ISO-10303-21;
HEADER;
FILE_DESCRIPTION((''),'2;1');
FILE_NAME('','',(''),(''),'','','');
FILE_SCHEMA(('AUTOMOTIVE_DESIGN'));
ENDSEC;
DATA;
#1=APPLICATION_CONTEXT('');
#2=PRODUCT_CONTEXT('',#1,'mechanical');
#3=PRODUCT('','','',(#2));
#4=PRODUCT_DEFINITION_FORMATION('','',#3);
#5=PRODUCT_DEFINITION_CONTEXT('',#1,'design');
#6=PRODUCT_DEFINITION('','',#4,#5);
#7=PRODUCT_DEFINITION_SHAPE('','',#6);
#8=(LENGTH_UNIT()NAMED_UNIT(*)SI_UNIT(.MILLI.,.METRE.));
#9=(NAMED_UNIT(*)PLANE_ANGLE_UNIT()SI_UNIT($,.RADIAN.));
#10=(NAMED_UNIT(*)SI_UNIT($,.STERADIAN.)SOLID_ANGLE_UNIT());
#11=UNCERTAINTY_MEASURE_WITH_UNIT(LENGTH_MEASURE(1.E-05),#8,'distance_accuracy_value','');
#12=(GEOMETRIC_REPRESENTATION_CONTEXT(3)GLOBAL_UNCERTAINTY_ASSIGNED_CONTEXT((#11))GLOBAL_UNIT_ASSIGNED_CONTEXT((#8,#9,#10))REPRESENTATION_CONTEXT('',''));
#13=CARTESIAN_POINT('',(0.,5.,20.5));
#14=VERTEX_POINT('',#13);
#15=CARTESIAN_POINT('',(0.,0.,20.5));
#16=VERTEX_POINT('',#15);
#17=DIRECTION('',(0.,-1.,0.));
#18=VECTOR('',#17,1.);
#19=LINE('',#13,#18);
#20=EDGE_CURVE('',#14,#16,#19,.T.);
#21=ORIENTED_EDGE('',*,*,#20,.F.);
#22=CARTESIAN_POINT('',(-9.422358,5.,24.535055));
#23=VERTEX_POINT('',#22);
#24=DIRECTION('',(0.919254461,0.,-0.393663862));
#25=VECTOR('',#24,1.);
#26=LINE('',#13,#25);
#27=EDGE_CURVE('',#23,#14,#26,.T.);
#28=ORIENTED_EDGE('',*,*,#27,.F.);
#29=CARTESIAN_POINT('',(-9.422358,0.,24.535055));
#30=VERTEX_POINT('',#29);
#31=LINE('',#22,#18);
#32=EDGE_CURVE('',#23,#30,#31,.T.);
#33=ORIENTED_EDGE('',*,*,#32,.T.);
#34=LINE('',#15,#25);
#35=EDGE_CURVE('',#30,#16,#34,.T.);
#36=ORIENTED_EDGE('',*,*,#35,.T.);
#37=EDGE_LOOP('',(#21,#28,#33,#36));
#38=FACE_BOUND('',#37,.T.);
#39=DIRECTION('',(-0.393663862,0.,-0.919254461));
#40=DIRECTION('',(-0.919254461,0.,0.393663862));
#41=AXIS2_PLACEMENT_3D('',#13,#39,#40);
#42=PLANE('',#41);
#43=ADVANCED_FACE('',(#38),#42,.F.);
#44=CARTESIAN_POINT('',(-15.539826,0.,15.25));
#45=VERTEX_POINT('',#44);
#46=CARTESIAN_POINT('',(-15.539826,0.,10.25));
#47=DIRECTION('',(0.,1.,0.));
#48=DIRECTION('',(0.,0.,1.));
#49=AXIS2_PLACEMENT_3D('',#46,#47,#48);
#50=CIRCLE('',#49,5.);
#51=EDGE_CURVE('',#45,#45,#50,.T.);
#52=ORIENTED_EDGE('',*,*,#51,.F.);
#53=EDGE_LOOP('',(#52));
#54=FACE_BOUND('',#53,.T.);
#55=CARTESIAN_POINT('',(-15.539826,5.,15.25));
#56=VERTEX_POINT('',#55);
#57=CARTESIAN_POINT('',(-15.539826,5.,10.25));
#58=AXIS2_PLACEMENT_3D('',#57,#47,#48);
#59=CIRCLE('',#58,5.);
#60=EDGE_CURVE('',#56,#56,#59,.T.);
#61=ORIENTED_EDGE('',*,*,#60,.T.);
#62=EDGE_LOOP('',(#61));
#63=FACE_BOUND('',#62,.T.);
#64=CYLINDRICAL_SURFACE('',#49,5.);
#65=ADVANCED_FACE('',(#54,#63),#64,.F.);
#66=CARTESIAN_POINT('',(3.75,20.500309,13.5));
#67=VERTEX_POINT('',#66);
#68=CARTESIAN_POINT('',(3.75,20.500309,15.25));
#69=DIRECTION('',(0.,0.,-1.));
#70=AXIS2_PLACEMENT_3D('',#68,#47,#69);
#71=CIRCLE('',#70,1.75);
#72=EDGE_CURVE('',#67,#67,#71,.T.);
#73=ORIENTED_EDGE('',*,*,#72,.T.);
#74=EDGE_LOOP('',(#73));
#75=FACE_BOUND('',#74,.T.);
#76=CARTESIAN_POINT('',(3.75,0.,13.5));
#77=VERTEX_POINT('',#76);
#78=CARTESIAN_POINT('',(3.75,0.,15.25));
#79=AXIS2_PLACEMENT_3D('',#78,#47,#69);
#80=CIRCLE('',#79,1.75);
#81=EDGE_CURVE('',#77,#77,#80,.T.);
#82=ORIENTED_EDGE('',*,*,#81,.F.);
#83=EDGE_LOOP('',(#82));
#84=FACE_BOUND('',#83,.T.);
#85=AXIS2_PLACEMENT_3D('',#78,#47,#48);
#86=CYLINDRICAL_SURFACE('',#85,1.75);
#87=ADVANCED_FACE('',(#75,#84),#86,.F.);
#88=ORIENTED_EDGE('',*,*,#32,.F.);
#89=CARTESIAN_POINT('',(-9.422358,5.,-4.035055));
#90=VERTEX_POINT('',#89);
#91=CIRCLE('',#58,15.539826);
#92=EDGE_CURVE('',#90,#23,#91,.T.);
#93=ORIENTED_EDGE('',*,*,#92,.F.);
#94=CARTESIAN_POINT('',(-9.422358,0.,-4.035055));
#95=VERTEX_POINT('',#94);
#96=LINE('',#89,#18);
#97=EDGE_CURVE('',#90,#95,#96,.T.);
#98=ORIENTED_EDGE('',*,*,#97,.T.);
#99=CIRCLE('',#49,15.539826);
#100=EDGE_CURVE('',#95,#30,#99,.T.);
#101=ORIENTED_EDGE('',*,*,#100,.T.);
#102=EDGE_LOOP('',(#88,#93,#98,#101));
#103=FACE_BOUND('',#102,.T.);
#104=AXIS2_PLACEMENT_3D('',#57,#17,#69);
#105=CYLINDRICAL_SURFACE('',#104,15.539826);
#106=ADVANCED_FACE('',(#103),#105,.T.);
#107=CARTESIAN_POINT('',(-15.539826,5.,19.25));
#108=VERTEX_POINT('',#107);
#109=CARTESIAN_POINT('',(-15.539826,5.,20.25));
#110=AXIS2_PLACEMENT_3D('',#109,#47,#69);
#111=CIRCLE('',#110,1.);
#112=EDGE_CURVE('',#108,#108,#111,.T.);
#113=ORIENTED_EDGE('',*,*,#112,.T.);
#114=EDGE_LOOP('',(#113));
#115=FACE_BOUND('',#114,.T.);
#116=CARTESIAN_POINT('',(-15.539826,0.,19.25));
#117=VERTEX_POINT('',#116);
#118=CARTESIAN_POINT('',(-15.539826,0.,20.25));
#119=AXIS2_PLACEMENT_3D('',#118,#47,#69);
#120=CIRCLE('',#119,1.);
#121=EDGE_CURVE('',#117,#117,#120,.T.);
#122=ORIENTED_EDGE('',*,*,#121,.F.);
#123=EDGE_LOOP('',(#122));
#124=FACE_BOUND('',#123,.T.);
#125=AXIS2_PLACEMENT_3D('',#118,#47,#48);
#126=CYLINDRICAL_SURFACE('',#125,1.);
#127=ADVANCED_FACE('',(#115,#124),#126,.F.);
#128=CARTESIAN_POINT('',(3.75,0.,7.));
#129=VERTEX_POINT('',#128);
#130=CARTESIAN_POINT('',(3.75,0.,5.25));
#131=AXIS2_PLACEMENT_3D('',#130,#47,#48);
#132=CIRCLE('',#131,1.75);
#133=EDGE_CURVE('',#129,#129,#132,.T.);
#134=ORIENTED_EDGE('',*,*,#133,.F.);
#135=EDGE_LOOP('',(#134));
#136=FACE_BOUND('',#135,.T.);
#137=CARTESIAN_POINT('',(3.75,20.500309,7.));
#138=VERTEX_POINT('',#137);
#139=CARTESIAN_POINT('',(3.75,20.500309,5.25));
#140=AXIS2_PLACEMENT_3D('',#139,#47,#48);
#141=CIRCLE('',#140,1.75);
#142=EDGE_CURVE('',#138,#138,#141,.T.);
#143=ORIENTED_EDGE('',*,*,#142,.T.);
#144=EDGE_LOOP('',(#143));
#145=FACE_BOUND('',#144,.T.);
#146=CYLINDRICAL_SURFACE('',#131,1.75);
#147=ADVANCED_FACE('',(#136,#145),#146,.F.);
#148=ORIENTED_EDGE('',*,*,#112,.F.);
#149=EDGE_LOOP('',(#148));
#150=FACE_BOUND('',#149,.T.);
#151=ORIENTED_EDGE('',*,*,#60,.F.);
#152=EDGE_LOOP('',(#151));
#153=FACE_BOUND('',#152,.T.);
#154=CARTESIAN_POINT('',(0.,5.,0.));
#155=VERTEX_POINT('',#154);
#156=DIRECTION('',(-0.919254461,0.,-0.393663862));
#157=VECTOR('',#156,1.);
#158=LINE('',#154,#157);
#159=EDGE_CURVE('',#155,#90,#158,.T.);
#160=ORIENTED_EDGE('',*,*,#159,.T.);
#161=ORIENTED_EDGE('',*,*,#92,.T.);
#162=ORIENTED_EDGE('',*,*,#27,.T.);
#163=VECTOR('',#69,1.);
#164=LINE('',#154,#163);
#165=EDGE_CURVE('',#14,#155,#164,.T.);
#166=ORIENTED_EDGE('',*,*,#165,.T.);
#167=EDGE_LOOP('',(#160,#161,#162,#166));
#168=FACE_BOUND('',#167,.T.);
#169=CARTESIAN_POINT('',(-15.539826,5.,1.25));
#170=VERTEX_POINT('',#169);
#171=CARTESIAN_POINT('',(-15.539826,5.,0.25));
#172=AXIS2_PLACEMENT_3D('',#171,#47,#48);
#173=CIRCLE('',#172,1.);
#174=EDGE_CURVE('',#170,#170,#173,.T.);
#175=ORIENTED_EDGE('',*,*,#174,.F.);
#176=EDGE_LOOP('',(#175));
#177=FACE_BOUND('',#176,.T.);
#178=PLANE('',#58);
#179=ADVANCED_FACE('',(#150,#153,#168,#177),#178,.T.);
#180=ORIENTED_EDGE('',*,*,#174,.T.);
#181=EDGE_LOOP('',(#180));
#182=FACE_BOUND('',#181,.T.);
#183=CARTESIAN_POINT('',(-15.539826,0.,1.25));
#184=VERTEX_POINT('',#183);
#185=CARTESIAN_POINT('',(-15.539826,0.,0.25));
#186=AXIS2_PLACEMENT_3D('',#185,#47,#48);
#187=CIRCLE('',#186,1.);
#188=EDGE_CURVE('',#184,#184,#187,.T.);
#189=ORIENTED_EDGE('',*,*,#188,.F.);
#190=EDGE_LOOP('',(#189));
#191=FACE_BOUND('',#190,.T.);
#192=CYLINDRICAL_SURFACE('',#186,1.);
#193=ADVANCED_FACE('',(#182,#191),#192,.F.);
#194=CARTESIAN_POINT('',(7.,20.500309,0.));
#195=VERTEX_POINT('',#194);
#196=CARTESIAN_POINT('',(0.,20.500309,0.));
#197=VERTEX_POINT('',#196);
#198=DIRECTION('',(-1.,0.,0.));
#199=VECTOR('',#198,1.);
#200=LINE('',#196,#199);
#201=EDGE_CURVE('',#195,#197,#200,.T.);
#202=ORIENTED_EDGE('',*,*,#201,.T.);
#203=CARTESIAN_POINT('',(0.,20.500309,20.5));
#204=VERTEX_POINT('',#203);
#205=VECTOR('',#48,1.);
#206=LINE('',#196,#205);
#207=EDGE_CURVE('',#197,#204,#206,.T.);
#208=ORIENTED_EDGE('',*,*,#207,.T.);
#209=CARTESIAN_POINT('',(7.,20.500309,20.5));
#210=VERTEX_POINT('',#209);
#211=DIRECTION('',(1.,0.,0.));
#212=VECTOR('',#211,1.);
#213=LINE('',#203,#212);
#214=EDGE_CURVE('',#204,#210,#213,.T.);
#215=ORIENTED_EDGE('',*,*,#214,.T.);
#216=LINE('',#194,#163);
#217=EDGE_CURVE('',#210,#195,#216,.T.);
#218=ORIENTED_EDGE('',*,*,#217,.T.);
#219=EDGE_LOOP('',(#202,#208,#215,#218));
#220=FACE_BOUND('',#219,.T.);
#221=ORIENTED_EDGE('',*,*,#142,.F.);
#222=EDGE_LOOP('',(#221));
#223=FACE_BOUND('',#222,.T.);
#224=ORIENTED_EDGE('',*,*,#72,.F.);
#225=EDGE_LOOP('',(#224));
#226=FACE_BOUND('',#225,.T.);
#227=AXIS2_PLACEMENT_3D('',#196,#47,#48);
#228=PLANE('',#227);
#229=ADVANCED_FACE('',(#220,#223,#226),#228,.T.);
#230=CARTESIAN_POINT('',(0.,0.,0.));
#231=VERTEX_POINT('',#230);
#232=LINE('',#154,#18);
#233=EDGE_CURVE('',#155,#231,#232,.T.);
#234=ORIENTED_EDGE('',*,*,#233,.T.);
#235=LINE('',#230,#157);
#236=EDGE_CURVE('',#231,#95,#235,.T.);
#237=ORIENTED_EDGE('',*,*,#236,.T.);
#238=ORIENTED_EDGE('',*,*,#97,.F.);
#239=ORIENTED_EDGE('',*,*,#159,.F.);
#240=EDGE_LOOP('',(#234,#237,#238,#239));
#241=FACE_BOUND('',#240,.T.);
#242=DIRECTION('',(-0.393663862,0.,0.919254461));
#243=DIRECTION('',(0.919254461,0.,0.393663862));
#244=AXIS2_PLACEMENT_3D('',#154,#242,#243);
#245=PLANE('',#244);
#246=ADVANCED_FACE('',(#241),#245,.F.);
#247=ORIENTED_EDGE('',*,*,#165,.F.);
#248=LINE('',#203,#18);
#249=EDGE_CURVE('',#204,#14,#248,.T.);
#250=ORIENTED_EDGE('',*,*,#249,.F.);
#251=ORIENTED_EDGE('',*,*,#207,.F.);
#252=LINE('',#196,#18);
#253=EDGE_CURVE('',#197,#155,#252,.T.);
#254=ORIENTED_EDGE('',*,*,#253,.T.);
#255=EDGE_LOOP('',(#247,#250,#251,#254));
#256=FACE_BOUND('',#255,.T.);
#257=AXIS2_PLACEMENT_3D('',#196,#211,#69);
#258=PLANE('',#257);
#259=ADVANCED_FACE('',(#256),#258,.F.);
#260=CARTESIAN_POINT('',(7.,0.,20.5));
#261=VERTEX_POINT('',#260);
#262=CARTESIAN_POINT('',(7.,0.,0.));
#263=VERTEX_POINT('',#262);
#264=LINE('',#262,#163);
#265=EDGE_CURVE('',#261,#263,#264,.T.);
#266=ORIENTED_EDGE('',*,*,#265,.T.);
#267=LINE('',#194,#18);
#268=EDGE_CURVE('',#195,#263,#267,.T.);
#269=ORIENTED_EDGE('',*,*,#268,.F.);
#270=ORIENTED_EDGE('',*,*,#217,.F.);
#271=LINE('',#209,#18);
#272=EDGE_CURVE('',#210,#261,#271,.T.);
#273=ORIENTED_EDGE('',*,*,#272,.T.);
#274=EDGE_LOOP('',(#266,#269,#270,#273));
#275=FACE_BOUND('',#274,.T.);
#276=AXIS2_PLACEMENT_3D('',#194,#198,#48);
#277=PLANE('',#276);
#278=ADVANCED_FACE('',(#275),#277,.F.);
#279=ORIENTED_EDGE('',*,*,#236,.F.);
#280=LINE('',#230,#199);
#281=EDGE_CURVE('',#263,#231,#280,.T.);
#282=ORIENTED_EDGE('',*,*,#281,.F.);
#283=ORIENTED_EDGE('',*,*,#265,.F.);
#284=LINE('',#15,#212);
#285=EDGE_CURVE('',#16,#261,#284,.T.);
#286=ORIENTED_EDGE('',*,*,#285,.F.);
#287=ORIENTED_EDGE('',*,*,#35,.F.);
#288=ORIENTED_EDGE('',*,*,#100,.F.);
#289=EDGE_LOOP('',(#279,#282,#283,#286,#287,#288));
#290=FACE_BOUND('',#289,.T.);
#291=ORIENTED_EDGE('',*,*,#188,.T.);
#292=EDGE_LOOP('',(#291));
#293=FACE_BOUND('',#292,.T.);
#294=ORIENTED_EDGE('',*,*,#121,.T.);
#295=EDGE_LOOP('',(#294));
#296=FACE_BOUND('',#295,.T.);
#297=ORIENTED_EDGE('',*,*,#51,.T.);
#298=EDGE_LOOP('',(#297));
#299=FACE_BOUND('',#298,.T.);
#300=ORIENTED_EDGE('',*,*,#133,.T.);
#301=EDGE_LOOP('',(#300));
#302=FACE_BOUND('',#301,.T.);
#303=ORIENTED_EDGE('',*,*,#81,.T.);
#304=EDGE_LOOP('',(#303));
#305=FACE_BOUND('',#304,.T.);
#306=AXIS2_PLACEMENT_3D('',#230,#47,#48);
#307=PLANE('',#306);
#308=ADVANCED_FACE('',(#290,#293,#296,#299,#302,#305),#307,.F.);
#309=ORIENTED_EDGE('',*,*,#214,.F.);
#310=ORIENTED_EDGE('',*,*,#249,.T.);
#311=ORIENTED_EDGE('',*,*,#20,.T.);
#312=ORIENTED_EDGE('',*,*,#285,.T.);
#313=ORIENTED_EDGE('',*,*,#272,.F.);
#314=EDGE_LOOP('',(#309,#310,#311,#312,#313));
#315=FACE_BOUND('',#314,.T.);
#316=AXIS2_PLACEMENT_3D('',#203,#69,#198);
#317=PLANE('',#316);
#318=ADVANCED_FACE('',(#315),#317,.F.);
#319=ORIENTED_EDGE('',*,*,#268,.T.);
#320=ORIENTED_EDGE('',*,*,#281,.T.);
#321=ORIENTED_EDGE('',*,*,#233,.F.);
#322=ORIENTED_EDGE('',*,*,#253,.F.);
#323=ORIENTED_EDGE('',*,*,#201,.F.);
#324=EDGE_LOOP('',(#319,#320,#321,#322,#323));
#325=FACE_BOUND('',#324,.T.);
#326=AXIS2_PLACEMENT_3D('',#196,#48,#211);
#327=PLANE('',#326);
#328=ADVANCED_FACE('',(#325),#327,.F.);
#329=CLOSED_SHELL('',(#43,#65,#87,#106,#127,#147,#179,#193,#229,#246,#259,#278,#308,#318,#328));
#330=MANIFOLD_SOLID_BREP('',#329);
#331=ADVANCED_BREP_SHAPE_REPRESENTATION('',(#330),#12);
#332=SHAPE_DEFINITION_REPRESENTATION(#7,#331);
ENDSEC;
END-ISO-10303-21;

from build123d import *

# Parameters (mm, degrees)
SKETCH1_W               = 7
SKETCH1_H               = 20.5
MOUNTINGBASE_DEPTH      = 20.50030868
SKETCH2_R               = 1.75
MOUNTINGHOLES_DEPTH     = 30.824698757
HORNTAB_DEPTH           = 5
SKETCH4_R               = 1
SKETCH4_R_2             = 5
HORNMOUNTINGHOLES_DEPTH = 5


with BuildPart() as part:
    # Sketch1 → mountingBase (new body)
    with BuildSketch(Plane(origin=(0, 0, 0), x_dir=(1, 0, 0), z_dir=(0, 1, 0))):
        with Locations((3.5, -10.25)):
            Rectangle(SKETCH1_W, SKETCH1_H)
    extrude(amount=MOUNTINGBASE_DEPTH)

    # Sketch2 → mountingHoles (cut, through all)
    with BuildSketch(Plane(origin=(0, 20.50030868, 0), x_dir=(1, 0, 0), z_dir=(0, 1, 0))):
        with Locations(Location((3.75, -5.25, 0), (0, 0, 270))):
            Circle(SKETCH2_R)
        with Locations(Location((3.75, -15.25, 0), (0, 0, 90))):
            Circle(SKETCH2_R)
    extrude(amount=-MOUNTINGHOLES_DEPTH, mode=Mode.SUBTRACT)

    # Sketch3 → hornTab (add)
    with BuildSketch(Plane(origin=(0, 0, 0), x_dir=(1, 0, 0), z_dir=(0, 1, 0))):
        with BuildLine():
            Line((0, 0), (-9.422358224, 4.035054584))
            ThreePointArc((-9.422358224, 4.035054584), (-31.07965246, -10.25), (-9.422358224, -24.535054584))
            Line((-9.422358224, -24.535054584), (0, -20.5))
            Line((0, -20.5), (0, 0))
        make_face()
    extrude(amount=HORNTAB_DEPTH)

    # Sketch4 → hornMountingHoles (cut)
    with BuildSketch(Plane(origin=(0, 5, 0), x_dir=(1, 0, 0), z_dir=(0, 1, 0))):
        with Locations(Location((-15.53982623, -0.25, 0), (0, 0, 270))):
            Circle(SKETCH4_R)
        with Locations(Location((-15.53982623, -20.25, 0), (0, 0, 90))):
            Circle(SKETCH4_R)
        with Locations(Location((-15.53982623, -10.25, 0), (0, 0, 270))):
            Circle(SKETCH4_R_2)
    extrude(amount=-HORNMOUNTINGHOLES_DEPTH, mode=Mode.SUBTRACT)


solid = part.part
